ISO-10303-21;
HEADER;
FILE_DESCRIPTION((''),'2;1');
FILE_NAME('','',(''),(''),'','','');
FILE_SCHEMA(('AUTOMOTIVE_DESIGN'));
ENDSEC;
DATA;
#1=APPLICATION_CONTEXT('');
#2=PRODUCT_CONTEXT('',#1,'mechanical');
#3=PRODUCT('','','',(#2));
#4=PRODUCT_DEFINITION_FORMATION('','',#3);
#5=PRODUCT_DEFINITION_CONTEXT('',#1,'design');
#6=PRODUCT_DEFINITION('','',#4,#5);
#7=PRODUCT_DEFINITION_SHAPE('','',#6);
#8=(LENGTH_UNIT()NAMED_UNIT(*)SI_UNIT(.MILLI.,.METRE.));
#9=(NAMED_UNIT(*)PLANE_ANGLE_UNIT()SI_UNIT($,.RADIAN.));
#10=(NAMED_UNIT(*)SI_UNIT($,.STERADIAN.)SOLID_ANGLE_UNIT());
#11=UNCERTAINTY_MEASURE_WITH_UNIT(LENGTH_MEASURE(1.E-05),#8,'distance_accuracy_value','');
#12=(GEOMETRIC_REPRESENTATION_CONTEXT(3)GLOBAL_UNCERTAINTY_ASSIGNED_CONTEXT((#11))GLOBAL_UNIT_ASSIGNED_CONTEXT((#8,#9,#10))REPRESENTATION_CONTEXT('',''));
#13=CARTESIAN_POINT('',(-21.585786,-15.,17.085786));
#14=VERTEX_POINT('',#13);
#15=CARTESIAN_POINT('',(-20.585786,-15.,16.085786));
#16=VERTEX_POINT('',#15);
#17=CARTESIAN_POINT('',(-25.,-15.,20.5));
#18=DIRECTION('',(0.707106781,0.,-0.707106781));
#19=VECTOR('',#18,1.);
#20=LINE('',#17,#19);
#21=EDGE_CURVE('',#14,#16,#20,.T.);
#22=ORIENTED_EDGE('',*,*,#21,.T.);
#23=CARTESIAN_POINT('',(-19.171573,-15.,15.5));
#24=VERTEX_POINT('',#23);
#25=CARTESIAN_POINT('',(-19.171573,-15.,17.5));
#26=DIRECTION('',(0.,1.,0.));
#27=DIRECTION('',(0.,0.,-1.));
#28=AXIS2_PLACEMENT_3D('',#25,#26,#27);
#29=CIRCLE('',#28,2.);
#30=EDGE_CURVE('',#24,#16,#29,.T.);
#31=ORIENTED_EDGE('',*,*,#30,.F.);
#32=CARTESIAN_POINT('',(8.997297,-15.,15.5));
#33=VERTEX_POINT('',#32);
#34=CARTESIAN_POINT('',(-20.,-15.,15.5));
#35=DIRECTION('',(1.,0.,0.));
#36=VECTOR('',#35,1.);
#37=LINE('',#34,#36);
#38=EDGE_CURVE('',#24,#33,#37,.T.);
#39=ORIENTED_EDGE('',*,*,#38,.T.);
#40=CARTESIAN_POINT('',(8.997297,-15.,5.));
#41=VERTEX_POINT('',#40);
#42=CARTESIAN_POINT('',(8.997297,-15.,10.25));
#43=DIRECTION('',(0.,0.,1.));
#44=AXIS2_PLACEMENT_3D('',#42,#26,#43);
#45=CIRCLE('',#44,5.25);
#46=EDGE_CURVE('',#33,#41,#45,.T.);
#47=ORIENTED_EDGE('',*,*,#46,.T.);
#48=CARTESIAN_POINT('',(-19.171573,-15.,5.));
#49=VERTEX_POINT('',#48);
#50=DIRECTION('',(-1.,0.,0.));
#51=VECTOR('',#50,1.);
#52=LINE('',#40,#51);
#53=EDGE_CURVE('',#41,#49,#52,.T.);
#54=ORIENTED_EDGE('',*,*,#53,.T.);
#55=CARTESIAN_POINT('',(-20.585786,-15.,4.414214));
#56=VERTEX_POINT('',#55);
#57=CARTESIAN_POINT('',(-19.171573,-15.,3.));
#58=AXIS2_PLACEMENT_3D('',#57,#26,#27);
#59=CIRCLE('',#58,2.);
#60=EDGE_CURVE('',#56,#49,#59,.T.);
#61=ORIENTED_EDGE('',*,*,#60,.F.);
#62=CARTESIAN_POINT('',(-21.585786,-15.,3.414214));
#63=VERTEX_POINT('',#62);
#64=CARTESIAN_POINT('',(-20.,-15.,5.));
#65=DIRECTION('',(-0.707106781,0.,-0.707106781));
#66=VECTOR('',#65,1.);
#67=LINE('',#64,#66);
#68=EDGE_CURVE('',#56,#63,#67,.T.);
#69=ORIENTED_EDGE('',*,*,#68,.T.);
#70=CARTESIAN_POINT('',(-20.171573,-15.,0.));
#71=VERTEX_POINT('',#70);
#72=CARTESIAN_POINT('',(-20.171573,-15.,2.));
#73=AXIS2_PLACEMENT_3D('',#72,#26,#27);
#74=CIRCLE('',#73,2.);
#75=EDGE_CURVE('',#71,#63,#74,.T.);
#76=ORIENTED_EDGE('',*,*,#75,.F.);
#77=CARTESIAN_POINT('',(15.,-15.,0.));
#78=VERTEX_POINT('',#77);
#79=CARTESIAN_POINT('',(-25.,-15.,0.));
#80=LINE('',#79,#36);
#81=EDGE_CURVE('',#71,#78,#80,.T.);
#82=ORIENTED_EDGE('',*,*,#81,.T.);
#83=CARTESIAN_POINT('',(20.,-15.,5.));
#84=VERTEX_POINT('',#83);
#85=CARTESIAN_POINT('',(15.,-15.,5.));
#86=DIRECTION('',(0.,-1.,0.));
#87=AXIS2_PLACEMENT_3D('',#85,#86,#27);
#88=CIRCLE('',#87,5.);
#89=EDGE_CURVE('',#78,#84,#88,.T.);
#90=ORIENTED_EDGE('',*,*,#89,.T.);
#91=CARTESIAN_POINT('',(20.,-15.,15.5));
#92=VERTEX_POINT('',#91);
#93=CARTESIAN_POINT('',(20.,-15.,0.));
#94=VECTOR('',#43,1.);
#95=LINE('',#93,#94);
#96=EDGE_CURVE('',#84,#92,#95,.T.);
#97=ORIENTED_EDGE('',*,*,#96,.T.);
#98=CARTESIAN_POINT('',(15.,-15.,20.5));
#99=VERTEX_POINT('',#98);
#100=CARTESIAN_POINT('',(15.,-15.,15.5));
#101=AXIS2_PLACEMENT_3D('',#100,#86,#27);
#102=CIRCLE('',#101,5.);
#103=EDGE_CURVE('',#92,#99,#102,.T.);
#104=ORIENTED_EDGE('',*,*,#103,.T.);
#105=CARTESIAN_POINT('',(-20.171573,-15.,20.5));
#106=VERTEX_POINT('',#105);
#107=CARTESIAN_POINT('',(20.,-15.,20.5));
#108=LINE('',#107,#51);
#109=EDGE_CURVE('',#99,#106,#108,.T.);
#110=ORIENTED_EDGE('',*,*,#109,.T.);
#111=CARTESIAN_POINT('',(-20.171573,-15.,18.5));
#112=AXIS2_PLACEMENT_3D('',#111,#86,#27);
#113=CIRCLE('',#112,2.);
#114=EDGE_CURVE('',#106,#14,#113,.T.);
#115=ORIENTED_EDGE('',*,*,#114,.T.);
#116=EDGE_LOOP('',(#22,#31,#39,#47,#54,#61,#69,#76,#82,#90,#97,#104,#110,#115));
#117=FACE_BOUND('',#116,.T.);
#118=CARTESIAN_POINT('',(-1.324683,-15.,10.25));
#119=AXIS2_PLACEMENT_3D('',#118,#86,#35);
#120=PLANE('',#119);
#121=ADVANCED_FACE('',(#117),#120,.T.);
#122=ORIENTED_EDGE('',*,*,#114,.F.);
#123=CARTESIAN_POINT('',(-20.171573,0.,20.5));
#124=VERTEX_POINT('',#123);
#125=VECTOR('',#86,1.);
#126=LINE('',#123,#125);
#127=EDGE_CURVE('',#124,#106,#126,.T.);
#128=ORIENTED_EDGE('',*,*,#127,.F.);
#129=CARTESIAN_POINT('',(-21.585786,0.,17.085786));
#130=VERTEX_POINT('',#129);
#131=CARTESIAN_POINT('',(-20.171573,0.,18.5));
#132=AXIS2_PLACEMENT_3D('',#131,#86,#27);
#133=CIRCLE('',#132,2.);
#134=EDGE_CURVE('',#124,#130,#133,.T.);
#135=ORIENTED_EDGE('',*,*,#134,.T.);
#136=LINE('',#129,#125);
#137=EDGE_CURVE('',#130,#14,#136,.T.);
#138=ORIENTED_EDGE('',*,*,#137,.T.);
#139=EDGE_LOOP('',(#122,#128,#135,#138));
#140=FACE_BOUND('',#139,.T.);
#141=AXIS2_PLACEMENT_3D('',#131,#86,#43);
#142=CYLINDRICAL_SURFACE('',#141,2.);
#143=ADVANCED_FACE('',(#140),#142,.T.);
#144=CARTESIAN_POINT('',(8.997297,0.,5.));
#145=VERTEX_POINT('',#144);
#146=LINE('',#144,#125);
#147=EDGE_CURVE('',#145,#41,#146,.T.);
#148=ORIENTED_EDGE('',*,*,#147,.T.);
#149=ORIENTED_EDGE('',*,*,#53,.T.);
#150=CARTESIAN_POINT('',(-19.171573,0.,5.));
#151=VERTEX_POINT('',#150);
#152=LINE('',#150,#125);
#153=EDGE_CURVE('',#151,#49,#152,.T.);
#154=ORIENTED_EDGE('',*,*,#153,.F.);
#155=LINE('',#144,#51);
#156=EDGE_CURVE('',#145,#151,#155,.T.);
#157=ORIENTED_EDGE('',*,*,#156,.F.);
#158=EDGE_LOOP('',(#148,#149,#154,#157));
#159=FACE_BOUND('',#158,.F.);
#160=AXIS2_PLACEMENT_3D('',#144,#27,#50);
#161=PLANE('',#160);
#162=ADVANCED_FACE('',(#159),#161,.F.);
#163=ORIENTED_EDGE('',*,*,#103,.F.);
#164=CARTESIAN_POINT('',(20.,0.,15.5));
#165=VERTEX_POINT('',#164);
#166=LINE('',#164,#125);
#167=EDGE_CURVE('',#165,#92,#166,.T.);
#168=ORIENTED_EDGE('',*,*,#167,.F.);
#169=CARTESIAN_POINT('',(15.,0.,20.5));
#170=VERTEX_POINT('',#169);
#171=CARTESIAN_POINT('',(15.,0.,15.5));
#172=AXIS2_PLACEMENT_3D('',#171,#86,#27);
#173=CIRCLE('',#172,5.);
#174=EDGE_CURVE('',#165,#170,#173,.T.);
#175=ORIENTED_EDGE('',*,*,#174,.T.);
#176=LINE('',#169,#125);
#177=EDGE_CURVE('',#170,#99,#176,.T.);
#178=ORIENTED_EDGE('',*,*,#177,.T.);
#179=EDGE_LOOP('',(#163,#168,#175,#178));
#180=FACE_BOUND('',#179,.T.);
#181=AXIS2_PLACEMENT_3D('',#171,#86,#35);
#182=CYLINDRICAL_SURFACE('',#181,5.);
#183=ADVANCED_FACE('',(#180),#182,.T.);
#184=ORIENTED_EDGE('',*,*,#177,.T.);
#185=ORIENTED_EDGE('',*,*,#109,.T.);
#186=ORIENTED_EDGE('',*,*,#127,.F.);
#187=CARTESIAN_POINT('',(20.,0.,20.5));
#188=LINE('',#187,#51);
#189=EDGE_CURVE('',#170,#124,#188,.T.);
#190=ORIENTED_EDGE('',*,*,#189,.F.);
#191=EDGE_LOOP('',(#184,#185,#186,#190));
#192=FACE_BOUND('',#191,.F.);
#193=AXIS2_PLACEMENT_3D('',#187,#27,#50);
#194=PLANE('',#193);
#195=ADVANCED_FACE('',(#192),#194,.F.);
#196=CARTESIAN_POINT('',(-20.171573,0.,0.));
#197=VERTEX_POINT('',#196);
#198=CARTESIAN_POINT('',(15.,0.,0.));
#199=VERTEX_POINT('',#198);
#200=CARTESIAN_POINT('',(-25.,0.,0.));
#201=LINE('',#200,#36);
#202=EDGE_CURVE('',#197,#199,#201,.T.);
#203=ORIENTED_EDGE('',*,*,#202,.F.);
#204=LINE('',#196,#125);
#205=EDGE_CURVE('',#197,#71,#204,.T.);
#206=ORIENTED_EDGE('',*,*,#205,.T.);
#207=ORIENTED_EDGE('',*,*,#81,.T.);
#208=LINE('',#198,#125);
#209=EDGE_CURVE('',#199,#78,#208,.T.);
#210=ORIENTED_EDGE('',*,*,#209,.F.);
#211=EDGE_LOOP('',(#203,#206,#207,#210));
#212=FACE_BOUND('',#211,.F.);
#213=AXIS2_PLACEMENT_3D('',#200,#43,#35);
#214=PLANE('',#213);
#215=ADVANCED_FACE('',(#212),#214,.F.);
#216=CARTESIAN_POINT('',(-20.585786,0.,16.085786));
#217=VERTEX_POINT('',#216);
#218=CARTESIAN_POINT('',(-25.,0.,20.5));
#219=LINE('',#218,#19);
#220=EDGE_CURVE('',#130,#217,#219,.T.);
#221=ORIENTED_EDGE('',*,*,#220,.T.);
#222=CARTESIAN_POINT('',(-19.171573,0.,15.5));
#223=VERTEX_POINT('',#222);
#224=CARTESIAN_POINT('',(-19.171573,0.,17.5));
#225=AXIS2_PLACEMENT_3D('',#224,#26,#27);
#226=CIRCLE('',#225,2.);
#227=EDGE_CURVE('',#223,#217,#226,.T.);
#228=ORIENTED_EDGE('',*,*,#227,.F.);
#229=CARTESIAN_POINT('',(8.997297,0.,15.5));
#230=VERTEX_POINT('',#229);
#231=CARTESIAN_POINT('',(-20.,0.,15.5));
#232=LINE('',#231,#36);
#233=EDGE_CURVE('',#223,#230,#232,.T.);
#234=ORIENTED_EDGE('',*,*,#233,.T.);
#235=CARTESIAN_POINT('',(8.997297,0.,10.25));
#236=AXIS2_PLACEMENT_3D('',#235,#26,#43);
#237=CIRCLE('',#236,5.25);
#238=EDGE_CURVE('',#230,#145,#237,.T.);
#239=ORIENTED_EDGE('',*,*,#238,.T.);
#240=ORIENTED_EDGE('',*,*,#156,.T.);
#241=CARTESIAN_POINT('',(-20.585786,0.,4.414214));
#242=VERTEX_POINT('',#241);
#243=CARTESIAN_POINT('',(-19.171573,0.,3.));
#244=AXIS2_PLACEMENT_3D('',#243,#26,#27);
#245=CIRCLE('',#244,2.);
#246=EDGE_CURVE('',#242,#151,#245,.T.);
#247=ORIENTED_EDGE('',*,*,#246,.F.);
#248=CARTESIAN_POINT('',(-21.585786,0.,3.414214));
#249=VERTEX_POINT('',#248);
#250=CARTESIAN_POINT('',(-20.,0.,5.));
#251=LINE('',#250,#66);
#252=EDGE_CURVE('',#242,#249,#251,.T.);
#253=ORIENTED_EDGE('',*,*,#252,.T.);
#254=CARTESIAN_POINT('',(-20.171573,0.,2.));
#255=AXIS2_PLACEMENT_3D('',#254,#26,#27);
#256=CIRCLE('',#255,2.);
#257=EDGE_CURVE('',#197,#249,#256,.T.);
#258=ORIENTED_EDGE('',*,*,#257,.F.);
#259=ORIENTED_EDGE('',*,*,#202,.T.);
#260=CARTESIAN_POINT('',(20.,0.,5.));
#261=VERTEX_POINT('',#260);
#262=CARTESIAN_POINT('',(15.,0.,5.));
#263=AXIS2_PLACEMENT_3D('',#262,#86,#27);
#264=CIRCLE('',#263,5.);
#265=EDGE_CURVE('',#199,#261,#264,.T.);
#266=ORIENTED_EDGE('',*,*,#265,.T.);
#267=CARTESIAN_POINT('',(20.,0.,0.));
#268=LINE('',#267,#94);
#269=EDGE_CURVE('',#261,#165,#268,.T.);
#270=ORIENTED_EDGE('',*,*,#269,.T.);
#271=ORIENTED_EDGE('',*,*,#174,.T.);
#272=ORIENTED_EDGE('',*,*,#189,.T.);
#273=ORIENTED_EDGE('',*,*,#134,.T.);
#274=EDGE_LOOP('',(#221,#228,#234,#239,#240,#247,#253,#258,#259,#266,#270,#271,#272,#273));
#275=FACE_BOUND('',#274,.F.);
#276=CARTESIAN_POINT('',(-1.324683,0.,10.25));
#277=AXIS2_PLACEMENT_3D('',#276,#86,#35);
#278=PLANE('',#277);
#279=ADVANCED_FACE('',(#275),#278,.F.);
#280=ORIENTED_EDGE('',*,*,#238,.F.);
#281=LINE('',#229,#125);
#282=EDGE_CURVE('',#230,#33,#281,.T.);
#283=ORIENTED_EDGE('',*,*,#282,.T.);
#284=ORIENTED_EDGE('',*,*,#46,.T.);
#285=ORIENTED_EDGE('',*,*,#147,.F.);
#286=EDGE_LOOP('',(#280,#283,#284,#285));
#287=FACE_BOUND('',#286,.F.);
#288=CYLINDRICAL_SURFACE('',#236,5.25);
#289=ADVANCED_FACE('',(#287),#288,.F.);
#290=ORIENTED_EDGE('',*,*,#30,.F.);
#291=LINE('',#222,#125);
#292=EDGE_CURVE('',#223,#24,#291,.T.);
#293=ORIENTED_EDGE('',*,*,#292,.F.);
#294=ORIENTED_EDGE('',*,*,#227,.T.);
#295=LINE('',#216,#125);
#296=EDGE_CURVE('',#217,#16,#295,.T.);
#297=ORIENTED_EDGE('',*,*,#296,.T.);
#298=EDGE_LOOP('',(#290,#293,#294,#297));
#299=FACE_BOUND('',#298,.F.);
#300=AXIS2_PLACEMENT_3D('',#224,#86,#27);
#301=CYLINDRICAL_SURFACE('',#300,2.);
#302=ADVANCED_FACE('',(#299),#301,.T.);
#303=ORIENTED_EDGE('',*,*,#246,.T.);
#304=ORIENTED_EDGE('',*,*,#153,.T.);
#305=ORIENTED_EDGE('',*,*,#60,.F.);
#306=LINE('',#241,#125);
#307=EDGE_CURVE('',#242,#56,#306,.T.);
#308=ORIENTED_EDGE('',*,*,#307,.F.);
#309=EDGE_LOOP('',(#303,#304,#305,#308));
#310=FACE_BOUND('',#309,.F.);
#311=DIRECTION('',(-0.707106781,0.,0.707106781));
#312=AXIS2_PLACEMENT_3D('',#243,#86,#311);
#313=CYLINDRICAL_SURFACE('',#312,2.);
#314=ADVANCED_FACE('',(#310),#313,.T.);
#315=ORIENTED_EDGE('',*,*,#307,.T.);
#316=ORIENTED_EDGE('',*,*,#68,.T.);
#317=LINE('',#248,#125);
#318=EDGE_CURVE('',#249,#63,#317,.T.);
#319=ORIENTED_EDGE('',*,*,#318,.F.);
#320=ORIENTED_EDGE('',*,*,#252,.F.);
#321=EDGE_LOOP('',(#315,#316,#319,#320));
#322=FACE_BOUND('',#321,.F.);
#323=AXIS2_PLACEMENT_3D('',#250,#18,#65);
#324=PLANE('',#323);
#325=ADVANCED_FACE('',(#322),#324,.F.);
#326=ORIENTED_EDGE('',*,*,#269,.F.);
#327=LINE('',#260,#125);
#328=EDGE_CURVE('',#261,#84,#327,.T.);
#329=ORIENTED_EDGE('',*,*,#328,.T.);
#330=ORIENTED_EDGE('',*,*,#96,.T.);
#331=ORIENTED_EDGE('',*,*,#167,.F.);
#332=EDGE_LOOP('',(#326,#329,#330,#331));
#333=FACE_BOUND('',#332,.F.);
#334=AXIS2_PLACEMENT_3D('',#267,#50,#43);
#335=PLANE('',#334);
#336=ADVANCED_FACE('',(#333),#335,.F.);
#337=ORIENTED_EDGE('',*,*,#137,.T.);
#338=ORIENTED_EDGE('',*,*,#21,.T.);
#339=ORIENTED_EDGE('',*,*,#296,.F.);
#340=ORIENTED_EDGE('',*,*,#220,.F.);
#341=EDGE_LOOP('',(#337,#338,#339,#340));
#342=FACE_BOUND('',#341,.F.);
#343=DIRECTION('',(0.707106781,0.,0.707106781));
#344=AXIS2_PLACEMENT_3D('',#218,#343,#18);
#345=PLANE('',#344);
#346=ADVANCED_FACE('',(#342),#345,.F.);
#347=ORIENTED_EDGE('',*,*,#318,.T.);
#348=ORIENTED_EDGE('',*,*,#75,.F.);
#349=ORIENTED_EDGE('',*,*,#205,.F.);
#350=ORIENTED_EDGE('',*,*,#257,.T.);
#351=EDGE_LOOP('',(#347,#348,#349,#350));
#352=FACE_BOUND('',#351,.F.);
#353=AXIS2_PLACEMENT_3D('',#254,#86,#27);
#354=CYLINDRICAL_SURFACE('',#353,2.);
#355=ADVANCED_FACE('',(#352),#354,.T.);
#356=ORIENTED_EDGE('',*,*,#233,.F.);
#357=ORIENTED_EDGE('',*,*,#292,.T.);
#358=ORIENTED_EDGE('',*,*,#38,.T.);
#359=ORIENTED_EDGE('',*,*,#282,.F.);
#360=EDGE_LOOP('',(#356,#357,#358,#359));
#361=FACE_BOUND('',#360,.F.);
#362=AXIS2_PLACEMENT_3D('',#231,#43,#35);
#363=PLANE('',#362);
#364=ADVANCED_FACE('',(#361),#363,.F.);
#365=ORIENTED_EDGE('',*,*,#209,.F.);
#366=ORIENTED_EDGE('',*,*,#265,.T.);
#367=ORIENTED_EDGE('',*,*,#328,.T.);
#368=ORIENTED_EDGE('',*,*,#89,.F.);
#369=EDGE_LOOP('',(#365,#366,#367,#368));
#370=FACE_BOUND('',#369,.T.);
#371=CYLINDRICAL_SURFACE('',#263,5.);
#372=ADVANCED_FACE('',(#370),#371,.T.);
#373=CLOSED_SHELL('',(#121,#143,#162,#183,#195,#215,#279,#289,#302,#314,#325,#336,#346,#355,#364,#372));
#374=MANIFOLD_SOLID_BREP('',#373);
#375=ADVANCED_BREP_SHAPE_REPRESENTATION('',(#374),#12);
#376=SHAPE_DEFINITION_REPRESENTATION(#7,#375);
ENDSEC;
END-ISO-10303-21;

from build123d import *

# Parameters (mm, degrees)
F1_DEPTH = 15
F2_R     = 5
F3_R     = 2


with BuildPart() as f1:
    # F0 (on Front) → F1 (new body)
    with BuildSketch(Plane.XZ):
        with BuildLine():
            Line((-20, 5), (-25, 0))
            Line((-25, 0), (20, 0))
            Line((20, 0), (20, 20.5))
            Line((20, 20.5), (-25, 20.5))
            Line((-25, 20.5), (-20, 15.5))
            Line((-20, 15.5), (8.997297, 15.5))
            ThreePointArc((8.997297, 15.5), (14.247297, 10.25), (8.997297, 5))
            Line((8.997297, 5), (-20, 5))
        make_face()
    extrude(amount=F1_DEPTH)

    # F2
    f2_edges = [f1.edges().sort_by_distance(p)[0] for p in [
        (20, -7.5, 20.5),
        (20, -7.5, 0),
    ]]
    fillet(f2_edges, radius=F2_R)

    # F3
    f3_edges = [f1.edges().sort_by_distance(p)[0] for p in [
        (-25, -7.5, 20.5),
        (-20, -7.5, 5),
        (-25, -7.5, 0),
        (-20, -7.5, 15.5),
    ]]
    fillet(f3_edges, radius=F3_R)


solid = f1.part
